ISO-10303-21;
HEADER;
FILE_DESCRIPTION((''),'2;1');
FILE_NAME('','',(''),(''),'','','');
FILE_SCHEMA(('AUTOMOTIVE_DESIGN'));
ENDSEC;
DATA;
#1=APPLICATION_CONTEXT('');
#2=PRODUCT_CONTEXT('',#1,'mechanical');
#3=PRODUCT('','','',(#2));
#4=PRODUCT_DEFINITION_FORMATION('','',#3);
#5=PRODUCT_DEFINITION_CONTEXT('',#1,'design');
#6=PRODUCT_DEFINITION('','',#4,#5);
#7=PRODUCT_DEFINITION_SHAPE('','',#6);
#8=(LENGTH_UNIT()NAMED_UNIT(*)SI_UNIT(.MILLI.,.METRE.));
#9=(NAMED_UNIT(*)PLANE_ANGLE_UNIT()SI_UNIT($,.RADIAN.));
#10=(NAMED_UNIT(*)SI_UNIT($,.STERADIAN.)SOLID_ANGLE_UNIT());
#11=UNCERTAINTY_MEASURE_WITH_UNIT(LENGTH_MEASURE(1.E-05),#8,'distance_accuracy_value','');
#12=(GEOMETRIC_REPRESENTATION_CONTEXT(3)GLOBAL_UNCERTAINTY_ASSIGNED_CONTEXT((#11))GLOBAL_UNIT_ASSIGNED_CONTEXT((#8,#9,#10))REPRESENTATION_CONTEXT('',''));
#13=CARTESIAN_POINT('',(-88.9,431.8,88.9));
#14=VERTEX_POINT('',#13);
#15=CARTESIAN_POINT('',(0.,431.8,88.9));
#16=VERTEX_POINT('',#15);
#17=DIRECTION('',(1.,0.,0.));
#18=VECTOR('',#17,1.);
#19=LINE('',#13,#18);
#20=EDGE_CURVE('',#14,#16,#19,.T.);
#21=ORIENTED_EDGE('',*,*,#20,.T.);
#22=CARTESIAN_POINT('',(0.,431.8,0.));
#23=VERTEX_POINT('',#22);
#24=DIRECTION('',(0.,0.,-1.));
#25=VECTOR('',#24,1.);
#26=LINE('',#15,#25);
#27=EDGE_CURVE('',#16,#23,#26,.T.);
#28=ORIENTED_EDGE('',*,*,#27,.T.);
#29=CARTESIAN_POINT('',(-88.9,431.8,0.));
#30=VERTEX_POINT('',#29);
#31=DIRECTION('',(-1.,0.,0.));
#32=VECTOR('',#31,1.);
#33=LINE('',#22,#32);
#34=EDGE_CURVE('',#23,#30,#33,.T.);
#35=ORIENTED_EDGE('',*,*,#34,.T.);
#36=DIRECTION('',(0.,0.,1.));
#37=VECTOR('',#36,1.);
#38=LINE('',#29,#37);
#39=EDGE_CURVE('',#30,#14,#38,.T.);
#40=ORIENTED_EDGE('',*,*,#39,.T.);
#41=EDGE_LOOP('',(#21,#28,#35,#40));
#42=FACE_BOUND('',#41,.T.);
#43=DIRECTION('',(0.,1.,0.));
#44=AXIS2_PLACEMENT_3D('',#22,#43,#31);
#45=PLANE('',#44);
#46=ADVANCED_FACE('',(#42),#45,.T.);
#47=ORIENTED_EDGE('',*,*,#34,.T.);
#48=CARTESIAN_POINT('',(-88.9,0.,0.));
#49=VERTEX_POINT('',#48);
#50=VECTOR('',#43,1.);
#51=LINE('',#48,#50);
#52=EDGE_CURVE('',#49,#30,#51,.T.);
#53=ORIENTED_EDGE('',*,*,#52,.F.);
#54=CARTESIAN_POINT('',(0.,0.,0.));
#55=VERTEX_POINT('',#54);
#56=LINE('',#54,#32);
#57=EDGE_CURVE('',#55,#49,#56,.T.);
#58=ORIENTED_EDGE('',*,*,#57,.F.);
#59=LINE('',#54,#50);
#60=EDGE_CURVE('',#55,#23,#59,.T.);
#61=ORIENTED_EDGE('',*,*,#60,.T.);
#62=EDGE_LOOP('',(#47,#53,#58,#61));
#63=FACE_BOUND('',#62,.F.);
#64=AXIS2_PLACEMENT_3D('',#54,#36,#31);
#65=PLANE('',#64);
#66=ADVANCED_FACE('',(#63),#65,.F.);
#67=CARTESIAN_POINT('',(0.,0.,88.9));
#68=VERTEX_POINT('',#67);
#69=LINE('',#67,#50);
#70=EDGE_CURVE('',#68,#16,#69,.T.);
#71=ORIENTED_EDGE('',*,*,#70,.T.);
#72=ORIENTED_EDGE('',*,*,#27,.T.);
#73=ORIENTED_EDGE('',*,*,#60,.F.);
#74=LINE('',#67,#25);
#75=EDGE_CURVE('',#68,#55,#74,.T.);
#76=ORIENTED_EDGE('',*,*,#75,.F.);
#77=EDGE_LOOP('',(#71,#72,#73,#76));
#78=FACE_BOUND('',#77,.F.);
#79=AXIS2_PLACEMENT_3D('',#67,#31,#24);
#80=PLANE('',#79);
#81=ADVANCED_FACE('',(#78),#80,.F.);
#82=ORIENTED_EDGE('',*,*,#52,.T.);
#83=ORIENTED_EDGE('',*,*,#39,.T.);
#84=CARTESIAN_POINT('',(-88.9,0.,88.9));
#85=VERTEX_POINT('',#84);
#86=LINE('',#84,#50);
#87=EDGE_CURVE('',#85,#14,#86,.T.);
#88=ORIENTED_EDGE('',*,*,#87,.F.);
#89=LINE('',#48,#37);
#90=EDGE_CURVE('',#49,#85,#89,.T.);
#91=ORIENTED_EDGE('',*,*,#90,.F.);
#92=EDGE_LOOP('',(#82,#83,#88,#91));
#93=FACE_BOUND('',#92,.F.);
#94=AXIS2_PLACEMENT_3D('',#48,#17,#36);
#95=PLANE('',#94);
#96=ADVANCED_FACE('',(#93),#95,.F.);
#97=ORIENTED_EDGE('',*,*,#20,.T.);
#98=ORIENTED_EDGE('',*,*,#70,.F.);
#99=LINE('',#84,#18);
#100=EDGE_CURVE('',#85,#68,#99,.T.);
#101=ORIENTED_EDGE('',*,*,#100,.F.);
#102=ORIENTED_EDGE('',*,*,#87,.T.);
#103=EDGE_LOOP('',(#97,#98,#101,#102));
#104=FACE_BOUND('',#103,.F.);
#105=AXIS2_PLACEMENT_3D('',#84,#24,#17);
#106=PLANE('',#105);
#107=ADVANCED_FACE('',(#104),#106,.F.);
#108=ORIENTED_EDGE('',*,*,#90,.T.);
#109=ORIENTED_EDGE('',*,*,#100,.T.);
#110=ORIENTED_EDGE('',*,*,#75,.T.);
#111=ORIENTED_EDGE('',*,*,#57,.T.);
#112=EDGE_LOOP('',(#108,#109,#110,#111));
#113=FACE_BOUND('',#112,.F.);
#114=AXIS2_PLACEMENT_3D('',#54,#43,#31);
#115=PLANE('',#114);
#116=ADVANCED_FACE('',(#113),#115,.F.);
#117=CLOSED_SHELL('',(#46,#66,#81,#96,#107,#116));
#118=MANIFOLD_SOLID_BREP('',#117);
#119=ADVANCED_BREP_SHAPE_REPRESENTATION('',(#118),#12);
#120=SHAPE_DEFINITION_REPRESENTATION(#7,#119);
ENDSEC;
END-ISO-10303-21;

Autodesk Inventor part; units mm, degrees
ref_plane "YZ Plane" through (0, 0, 0) normal (1, 0, 0) x (0, 1, 0)
ref_plane "XZ Plane" through (0, 0, 0) normal (0, 1, 0) x (-1, 0, 0)
ref_plane "XY Plane" through (0, 0, 0) normal (0, 0, 1) x (1, 0, 0)
sketch "Sketch1" plane through (0, 0, 0) normal (0, 1, 0) x (-1, 0, 0)
  line L0 (0, 0) -> (88.9, 0)
  line L1 (88.9, 0) -> (88.9, 88.9)
  line L2 (88.9, 88.9) -> (0, 88.9)
  line L3 (0, 88.9) -> (0, 0)
  dimension "d0" = 88.9
  dimension "d1" = 88.9
extrude "Extrusion1" add sketch "Sketch1" along normal blind 431.8
properties part number "4by4by34" material "Wood (Cherry)"
